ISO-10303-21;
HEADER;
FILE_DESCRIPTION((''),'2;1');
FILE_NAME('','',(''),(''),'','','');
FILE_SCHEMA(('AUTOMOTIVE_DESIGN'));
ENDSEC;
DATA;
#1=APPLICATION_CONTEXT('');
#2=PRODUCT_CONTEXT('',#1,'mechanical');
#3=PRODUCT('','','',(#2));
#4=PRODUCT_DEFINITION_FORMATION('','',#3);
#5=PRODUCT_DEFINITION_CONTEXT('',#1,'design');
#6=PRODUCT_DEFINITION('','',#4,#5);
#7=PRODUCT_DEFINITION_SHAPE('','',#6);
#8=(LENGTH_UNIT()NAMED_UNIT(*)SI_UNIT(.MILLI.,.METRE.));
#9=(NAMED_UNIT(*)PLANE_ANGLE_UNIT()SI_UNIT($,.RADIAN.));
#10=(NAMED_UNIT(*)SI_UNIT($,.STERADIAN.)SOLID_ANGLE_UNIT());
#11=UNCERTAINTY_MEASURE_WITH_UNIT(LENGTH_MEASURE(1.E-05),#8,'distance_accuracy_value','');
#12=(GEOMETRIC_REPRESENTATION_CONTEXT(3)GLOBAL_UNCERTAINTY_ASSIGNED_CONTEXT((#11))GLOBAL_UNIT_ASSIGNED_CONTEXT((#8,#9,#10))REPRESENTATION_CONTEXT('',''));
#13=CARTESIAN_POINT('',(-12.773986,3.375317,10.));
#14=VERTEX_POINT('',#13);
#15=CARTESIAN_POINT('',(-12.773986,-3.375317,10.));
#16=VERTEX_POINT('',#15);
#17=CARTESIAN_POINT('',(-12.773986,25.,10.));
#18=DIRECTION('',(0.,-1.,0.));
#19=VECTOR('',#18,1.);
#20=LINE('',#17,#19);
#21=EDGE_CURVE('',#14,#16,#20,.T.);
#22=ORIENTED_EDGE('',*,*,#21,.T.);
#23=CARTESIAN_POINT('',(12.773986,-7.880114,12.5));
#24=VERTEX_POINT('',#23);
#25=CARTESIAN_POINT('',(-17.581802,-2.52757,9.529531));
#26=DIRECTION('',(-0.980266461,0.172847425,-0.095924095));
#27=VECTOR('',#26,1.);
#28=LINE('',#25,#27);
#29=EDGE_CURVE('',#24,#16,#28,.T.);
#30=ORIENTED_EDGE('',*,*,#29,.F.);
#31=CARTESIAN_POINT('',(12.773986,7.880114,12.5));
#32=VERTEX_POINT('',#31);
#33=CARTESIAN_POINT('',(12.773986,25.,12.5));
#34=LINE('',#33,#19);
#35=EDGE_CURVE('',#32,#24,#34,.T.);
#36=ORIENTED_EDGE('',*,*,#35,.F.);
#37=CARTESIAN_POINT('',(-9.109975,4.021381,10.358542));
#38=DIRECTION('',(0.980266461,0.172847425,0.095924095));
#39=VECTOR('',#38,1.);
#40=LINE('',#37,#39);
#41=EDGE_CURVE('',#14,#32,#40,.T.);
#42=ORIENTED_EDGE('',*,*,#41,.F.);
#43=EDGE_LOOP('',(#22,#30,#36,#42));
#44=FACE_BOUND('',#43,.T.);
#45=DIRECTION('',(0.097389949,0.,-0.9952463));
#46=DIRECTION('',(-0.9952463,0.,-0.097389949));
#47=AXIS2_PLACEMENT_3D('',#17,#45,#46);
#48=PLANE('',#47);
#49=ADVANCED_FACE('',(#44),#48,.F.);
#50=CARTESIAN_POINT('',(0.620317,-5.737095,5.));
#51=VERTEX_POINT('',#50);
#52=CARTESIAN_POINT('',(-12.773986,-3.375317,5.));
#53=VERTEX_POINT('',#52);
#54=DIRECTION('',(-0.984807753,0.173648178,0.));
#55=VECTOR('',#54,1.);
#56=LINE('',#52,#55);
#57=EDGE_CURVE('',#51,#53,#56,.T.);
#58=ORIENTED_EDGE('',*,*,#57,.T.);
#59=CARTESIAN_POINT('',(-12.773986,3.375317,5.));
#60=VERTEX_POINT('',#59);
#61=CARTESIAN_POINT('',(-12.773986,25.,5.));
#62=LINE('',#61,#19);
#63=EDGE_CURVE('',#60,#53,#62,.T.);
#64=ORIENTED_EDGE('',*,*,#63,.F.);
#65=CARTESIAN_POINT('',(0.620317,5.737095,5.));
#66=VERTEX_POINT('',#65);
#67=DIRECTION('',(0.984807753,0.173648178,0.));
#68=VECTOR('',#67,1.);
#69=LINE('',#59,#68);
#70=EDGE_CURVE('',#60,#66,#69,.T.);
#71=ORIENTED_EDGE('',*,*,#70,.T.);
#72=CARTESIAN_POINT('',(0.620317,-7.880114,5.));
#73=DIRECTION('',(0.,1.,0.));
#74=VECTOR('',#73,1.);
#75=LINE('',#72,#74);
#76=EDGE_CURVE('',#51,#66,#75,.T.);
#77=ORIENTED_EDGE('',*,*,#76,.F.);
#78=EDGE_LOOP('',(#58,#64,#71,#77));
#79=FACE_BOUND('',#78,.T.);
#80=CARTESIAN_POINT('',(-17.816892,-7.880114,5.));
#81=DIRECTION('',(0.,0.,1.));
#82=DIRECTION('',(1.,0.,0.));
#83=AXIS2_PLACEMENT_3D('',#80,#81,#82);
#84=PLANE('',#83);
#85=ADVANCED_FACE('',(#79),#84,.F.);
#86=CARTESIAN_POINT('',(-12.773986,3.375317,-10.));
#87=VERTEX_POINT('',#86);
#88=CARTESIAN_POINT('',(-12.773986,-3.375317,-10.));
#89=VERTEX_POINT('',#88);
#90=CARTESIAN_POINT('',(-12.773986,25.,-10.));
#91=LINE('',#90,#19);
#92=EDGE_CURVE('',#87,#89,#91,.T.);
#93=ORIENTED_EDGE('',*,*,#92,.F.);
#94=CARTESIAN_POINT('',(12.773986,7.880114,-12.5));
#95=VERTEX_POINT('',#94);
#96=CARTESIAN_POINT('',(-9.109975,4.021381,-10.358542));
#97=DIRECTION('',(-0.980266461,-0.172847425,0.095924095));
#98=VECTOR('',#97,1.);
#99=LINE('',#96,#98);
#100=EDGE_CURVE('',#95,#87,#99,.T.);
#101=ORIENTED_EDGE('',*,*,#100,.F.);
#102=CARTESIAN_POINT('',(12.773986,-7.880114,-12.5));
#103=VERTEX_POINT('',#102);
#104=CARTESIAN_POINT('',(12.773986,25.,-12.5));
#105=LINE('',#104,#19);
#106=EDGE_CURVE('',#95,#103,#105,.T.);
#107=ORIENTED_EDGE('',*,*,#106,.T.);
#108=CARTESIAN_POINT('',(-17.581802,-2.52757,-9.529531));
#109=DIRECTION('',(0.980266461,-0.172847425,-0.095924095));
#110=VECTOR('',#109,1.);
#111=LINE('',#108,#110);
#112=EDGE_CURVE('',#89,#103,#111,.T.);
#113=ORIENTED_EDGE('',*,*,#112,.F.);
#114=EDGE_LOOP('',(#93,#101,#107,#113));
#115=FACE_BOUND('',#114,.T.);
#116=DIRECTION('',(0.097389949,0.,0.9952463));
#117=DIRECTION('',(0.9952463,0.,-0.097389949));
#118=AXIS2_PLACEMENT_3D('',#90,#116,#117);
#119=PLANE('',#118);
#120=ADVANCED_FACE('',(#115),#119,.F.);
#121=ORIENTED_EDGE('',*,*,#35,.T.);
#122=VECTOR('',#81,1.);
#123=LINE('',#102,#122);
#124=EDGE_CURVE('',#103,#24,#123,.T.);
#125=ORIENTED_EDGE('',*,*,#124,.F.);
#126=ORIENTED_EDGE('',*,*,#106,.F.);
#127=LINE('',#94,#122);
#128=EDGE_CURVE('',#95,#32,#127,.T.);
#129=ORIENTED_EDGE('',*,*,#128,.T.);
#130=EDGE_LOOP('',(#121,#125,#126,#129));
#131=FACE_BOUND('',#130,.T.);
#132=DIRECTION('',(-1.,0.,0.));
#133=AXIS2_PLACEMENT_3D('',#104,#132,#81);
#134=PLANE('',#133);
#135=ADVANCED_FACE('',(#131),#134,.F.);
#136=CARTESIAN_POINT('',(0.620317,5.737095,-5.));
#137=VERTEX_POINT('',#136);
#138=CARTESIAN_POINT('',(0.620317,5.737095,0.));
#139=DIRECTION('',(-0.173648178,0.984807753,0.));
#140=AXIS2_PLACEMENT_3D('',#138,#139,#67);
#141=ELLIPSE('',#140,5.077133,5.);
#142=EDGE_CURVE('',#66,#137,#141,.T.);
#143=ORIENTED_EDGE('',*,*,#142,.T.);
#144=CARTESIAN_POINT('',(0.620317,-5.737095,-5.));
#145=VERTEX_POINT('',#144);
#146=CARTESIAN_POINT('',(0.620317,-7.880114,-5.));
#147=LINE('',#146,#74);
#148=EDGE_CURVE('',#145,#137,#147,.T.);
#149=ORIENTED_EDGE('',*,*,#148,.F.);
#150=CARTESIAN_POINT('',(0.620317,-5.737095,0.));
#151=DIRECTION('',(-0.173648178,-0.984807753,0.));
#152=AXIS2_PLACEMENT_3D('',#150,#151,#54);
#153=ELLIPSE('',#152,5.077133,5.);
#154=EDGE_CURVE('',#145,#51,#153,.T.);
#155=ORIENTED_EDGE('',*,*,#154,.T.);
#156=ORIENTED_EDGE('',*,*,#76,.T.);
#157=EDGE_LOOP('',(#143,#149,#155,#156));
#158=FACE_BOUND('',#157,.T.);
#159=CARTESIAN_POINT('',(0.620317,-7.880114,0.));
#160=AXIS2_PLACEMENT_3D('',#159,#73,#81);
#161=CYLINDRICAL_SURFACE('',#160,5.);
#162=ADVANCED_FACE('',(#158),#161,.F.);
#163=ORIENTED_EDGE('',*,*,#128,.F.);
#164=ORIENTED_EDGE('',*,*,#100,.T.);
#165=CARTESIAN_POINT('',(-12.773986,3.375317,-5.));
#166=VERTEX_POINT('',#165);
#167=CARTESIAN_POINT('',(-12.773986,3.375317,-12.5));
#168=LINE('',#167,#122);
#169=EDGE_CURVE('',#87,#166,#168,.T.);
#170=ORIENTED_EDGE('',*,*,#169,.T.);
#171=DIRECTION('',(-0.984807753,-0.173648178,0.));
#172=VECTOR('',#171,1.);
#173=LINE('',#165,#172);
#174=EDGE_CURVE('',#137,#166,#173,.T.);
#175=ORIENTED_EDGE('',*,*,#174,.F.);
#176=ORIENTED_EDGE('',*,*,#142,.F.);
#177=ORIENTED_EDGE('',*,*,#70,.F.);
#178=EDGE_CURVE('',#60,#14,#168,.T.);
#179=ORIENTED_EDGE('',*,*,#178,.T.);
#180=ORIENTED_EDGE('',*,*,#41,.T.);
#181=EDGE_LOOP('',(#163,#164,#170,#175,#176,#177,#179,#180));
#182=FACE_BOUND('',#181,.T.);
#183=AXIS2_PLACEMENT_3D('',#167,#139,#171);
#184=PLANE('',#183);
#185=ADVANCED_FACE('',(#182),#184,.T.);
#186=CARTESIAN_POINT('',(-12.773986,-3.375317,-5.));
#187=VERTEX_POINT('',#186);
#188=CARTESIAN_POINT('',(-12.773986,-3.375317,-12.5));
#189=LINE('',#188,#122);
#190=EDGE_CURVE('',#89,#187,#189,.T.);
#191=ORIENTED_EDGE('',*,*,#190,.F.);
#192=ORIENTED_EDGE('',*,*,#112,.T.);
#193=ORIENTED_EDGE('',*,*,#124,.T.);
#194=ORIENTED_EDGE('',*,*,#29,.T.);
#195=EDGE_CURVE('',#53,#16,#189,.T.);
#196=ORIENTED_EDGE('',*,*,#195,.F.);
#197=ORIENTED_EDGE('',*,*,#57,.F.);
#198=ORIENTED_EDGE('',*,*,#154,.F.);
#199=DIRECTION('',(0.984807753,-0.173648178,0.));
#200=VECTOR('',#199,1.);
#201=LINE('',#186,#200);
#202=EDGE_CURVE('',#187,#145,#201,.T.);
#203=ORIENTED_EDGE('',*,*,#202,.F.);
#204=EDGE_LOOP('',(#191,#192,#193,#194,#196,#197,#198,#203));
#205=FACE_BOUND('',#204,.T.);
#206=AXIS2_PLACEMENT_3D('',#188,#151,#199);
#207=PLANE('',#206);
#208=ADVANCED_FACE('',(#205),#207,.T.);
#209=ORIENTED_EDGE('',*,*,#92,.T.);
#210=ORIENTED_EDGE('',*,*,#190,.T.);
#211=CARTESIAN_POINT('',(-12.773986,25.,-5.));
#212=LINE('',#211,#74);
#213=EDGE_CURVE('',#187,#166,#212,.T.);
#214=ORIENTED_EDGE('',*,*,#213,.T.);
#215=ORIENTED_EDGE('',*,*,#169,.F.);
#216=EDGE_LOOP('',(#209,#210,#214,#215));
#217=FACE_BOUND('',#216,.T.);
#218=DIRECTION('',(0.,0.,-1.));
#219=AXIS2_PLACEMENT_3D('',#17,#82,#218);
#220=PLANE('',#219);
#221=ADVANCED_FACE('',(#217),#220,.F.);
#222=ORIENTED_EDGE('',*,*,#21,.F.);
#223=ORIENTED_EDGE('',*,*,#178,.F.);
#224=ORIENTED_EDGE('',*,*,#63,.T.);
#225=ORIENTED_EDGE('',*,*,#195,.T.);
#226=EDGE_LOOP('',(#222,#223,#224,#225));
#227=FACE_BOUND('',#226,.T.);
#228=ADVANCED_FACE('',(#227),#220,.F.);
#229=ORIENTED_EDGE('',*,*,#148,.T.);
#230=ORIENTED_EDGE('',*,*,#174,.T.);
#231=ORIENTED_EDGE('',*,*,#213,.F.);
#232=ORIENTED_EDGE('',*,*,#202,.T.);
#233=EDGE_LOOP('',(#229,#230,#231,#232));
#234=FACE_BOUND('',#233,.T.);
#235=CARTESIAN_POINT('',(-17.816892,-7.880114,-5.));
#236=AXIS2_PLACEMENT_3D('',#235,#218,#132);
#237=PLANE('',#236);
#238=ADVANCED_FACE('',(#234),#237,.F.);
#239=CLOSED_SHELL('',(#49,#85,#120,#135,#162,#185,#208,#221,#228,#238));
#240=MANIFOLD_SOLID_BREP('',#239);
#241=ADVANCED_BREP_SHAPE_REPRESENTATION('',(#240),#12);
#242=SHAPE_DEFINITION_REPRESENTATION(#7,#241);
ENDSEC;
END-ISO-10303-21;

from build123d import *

# Parameters (mm, degrees)
BOSS_EXTRUDE1_DEPTH     = 25
CUT_EXTRUDE1_DEPTH      = 31.731494025
CUT_EXTRUDE1_DEPTH_BACK = 31.731494025
SKETCH2_OUTSIDE_W       = 39.84
SKETCH2_OUTSIDE_H       = 64.292
CUT_EXTRUDE2_DEPTH      = 20.532560663
CUT_EXTRUDE2_DEPTH_BACK = 20.532560663


with BuildPart() as part:
    # Sketch1 → Boss-Extrude1 (new, symmetric)
    with BuildSketch(Plane(origin=(0, 0, 0), x_dir=(1, 0, 0), z_dir=(0, 1, 0))):
        Polygon((-12.773986261, -10), (-12.773986261, 10), (12.773986261, 12.5), (12.773986261, -12.5), align=None)
    extrude(amount=BOSS_EXTRUDE1_DEPTH, both=True)

    # Sketch2 outside → Cut-Extrude1 (cut, two sides: drawn at the far end of the back side and taken through both)
    with BuildSketch(Plane.XY.offset(-CUT_EXTRUDE1_DEPTH_BACK)):
        Rectangle(SKETCH2_OUTSIDE_W, SKETCH2_OUTSIDE_H)
        Polygon((-12.773986261, -3.375317421), (-12.773986261, 3.375317421), (12.773986261, 7.880114279), (12.773986261, -7.880114279), align=None, mode=Mode.SUBTRACT)
    extrude(amount=CUT_EXTRUDE1_DEPTH + CUT_EXTRUDE1_DEPTH_BACK, mode=Mode.SUBTRACT)

    # Sketch3 → Cut-Extrude2 (cut, two sides: drawn at the far end of the back side and taken through both)
    with BuildSketch(Plane(origin=(0, 0, 0), x_dir=(1, 0, 0), z_dir=(0, 1, 0)).offset(-CUT_EXTRUDE2_DEPTH_BACK)):
        with BuildLine():
            Line((-17.816892232, 5), (0.620317331, 5))
            ThreePointArc((0.620317331, 5), (5.620317331, 0), (0.620317331, -5))
            Line((0.620317331, -5), (-17.816892232, -5))
            Line((-17.816892232, -5), (-17.816892232, 5))
        make_face()
    extrude(amount=CUT_EXTRUDE2_DEPTH + CUT_EXTRUDE2_DEPTH_BACK, mode=Mode.SUBTRACT)


solid = part.part
